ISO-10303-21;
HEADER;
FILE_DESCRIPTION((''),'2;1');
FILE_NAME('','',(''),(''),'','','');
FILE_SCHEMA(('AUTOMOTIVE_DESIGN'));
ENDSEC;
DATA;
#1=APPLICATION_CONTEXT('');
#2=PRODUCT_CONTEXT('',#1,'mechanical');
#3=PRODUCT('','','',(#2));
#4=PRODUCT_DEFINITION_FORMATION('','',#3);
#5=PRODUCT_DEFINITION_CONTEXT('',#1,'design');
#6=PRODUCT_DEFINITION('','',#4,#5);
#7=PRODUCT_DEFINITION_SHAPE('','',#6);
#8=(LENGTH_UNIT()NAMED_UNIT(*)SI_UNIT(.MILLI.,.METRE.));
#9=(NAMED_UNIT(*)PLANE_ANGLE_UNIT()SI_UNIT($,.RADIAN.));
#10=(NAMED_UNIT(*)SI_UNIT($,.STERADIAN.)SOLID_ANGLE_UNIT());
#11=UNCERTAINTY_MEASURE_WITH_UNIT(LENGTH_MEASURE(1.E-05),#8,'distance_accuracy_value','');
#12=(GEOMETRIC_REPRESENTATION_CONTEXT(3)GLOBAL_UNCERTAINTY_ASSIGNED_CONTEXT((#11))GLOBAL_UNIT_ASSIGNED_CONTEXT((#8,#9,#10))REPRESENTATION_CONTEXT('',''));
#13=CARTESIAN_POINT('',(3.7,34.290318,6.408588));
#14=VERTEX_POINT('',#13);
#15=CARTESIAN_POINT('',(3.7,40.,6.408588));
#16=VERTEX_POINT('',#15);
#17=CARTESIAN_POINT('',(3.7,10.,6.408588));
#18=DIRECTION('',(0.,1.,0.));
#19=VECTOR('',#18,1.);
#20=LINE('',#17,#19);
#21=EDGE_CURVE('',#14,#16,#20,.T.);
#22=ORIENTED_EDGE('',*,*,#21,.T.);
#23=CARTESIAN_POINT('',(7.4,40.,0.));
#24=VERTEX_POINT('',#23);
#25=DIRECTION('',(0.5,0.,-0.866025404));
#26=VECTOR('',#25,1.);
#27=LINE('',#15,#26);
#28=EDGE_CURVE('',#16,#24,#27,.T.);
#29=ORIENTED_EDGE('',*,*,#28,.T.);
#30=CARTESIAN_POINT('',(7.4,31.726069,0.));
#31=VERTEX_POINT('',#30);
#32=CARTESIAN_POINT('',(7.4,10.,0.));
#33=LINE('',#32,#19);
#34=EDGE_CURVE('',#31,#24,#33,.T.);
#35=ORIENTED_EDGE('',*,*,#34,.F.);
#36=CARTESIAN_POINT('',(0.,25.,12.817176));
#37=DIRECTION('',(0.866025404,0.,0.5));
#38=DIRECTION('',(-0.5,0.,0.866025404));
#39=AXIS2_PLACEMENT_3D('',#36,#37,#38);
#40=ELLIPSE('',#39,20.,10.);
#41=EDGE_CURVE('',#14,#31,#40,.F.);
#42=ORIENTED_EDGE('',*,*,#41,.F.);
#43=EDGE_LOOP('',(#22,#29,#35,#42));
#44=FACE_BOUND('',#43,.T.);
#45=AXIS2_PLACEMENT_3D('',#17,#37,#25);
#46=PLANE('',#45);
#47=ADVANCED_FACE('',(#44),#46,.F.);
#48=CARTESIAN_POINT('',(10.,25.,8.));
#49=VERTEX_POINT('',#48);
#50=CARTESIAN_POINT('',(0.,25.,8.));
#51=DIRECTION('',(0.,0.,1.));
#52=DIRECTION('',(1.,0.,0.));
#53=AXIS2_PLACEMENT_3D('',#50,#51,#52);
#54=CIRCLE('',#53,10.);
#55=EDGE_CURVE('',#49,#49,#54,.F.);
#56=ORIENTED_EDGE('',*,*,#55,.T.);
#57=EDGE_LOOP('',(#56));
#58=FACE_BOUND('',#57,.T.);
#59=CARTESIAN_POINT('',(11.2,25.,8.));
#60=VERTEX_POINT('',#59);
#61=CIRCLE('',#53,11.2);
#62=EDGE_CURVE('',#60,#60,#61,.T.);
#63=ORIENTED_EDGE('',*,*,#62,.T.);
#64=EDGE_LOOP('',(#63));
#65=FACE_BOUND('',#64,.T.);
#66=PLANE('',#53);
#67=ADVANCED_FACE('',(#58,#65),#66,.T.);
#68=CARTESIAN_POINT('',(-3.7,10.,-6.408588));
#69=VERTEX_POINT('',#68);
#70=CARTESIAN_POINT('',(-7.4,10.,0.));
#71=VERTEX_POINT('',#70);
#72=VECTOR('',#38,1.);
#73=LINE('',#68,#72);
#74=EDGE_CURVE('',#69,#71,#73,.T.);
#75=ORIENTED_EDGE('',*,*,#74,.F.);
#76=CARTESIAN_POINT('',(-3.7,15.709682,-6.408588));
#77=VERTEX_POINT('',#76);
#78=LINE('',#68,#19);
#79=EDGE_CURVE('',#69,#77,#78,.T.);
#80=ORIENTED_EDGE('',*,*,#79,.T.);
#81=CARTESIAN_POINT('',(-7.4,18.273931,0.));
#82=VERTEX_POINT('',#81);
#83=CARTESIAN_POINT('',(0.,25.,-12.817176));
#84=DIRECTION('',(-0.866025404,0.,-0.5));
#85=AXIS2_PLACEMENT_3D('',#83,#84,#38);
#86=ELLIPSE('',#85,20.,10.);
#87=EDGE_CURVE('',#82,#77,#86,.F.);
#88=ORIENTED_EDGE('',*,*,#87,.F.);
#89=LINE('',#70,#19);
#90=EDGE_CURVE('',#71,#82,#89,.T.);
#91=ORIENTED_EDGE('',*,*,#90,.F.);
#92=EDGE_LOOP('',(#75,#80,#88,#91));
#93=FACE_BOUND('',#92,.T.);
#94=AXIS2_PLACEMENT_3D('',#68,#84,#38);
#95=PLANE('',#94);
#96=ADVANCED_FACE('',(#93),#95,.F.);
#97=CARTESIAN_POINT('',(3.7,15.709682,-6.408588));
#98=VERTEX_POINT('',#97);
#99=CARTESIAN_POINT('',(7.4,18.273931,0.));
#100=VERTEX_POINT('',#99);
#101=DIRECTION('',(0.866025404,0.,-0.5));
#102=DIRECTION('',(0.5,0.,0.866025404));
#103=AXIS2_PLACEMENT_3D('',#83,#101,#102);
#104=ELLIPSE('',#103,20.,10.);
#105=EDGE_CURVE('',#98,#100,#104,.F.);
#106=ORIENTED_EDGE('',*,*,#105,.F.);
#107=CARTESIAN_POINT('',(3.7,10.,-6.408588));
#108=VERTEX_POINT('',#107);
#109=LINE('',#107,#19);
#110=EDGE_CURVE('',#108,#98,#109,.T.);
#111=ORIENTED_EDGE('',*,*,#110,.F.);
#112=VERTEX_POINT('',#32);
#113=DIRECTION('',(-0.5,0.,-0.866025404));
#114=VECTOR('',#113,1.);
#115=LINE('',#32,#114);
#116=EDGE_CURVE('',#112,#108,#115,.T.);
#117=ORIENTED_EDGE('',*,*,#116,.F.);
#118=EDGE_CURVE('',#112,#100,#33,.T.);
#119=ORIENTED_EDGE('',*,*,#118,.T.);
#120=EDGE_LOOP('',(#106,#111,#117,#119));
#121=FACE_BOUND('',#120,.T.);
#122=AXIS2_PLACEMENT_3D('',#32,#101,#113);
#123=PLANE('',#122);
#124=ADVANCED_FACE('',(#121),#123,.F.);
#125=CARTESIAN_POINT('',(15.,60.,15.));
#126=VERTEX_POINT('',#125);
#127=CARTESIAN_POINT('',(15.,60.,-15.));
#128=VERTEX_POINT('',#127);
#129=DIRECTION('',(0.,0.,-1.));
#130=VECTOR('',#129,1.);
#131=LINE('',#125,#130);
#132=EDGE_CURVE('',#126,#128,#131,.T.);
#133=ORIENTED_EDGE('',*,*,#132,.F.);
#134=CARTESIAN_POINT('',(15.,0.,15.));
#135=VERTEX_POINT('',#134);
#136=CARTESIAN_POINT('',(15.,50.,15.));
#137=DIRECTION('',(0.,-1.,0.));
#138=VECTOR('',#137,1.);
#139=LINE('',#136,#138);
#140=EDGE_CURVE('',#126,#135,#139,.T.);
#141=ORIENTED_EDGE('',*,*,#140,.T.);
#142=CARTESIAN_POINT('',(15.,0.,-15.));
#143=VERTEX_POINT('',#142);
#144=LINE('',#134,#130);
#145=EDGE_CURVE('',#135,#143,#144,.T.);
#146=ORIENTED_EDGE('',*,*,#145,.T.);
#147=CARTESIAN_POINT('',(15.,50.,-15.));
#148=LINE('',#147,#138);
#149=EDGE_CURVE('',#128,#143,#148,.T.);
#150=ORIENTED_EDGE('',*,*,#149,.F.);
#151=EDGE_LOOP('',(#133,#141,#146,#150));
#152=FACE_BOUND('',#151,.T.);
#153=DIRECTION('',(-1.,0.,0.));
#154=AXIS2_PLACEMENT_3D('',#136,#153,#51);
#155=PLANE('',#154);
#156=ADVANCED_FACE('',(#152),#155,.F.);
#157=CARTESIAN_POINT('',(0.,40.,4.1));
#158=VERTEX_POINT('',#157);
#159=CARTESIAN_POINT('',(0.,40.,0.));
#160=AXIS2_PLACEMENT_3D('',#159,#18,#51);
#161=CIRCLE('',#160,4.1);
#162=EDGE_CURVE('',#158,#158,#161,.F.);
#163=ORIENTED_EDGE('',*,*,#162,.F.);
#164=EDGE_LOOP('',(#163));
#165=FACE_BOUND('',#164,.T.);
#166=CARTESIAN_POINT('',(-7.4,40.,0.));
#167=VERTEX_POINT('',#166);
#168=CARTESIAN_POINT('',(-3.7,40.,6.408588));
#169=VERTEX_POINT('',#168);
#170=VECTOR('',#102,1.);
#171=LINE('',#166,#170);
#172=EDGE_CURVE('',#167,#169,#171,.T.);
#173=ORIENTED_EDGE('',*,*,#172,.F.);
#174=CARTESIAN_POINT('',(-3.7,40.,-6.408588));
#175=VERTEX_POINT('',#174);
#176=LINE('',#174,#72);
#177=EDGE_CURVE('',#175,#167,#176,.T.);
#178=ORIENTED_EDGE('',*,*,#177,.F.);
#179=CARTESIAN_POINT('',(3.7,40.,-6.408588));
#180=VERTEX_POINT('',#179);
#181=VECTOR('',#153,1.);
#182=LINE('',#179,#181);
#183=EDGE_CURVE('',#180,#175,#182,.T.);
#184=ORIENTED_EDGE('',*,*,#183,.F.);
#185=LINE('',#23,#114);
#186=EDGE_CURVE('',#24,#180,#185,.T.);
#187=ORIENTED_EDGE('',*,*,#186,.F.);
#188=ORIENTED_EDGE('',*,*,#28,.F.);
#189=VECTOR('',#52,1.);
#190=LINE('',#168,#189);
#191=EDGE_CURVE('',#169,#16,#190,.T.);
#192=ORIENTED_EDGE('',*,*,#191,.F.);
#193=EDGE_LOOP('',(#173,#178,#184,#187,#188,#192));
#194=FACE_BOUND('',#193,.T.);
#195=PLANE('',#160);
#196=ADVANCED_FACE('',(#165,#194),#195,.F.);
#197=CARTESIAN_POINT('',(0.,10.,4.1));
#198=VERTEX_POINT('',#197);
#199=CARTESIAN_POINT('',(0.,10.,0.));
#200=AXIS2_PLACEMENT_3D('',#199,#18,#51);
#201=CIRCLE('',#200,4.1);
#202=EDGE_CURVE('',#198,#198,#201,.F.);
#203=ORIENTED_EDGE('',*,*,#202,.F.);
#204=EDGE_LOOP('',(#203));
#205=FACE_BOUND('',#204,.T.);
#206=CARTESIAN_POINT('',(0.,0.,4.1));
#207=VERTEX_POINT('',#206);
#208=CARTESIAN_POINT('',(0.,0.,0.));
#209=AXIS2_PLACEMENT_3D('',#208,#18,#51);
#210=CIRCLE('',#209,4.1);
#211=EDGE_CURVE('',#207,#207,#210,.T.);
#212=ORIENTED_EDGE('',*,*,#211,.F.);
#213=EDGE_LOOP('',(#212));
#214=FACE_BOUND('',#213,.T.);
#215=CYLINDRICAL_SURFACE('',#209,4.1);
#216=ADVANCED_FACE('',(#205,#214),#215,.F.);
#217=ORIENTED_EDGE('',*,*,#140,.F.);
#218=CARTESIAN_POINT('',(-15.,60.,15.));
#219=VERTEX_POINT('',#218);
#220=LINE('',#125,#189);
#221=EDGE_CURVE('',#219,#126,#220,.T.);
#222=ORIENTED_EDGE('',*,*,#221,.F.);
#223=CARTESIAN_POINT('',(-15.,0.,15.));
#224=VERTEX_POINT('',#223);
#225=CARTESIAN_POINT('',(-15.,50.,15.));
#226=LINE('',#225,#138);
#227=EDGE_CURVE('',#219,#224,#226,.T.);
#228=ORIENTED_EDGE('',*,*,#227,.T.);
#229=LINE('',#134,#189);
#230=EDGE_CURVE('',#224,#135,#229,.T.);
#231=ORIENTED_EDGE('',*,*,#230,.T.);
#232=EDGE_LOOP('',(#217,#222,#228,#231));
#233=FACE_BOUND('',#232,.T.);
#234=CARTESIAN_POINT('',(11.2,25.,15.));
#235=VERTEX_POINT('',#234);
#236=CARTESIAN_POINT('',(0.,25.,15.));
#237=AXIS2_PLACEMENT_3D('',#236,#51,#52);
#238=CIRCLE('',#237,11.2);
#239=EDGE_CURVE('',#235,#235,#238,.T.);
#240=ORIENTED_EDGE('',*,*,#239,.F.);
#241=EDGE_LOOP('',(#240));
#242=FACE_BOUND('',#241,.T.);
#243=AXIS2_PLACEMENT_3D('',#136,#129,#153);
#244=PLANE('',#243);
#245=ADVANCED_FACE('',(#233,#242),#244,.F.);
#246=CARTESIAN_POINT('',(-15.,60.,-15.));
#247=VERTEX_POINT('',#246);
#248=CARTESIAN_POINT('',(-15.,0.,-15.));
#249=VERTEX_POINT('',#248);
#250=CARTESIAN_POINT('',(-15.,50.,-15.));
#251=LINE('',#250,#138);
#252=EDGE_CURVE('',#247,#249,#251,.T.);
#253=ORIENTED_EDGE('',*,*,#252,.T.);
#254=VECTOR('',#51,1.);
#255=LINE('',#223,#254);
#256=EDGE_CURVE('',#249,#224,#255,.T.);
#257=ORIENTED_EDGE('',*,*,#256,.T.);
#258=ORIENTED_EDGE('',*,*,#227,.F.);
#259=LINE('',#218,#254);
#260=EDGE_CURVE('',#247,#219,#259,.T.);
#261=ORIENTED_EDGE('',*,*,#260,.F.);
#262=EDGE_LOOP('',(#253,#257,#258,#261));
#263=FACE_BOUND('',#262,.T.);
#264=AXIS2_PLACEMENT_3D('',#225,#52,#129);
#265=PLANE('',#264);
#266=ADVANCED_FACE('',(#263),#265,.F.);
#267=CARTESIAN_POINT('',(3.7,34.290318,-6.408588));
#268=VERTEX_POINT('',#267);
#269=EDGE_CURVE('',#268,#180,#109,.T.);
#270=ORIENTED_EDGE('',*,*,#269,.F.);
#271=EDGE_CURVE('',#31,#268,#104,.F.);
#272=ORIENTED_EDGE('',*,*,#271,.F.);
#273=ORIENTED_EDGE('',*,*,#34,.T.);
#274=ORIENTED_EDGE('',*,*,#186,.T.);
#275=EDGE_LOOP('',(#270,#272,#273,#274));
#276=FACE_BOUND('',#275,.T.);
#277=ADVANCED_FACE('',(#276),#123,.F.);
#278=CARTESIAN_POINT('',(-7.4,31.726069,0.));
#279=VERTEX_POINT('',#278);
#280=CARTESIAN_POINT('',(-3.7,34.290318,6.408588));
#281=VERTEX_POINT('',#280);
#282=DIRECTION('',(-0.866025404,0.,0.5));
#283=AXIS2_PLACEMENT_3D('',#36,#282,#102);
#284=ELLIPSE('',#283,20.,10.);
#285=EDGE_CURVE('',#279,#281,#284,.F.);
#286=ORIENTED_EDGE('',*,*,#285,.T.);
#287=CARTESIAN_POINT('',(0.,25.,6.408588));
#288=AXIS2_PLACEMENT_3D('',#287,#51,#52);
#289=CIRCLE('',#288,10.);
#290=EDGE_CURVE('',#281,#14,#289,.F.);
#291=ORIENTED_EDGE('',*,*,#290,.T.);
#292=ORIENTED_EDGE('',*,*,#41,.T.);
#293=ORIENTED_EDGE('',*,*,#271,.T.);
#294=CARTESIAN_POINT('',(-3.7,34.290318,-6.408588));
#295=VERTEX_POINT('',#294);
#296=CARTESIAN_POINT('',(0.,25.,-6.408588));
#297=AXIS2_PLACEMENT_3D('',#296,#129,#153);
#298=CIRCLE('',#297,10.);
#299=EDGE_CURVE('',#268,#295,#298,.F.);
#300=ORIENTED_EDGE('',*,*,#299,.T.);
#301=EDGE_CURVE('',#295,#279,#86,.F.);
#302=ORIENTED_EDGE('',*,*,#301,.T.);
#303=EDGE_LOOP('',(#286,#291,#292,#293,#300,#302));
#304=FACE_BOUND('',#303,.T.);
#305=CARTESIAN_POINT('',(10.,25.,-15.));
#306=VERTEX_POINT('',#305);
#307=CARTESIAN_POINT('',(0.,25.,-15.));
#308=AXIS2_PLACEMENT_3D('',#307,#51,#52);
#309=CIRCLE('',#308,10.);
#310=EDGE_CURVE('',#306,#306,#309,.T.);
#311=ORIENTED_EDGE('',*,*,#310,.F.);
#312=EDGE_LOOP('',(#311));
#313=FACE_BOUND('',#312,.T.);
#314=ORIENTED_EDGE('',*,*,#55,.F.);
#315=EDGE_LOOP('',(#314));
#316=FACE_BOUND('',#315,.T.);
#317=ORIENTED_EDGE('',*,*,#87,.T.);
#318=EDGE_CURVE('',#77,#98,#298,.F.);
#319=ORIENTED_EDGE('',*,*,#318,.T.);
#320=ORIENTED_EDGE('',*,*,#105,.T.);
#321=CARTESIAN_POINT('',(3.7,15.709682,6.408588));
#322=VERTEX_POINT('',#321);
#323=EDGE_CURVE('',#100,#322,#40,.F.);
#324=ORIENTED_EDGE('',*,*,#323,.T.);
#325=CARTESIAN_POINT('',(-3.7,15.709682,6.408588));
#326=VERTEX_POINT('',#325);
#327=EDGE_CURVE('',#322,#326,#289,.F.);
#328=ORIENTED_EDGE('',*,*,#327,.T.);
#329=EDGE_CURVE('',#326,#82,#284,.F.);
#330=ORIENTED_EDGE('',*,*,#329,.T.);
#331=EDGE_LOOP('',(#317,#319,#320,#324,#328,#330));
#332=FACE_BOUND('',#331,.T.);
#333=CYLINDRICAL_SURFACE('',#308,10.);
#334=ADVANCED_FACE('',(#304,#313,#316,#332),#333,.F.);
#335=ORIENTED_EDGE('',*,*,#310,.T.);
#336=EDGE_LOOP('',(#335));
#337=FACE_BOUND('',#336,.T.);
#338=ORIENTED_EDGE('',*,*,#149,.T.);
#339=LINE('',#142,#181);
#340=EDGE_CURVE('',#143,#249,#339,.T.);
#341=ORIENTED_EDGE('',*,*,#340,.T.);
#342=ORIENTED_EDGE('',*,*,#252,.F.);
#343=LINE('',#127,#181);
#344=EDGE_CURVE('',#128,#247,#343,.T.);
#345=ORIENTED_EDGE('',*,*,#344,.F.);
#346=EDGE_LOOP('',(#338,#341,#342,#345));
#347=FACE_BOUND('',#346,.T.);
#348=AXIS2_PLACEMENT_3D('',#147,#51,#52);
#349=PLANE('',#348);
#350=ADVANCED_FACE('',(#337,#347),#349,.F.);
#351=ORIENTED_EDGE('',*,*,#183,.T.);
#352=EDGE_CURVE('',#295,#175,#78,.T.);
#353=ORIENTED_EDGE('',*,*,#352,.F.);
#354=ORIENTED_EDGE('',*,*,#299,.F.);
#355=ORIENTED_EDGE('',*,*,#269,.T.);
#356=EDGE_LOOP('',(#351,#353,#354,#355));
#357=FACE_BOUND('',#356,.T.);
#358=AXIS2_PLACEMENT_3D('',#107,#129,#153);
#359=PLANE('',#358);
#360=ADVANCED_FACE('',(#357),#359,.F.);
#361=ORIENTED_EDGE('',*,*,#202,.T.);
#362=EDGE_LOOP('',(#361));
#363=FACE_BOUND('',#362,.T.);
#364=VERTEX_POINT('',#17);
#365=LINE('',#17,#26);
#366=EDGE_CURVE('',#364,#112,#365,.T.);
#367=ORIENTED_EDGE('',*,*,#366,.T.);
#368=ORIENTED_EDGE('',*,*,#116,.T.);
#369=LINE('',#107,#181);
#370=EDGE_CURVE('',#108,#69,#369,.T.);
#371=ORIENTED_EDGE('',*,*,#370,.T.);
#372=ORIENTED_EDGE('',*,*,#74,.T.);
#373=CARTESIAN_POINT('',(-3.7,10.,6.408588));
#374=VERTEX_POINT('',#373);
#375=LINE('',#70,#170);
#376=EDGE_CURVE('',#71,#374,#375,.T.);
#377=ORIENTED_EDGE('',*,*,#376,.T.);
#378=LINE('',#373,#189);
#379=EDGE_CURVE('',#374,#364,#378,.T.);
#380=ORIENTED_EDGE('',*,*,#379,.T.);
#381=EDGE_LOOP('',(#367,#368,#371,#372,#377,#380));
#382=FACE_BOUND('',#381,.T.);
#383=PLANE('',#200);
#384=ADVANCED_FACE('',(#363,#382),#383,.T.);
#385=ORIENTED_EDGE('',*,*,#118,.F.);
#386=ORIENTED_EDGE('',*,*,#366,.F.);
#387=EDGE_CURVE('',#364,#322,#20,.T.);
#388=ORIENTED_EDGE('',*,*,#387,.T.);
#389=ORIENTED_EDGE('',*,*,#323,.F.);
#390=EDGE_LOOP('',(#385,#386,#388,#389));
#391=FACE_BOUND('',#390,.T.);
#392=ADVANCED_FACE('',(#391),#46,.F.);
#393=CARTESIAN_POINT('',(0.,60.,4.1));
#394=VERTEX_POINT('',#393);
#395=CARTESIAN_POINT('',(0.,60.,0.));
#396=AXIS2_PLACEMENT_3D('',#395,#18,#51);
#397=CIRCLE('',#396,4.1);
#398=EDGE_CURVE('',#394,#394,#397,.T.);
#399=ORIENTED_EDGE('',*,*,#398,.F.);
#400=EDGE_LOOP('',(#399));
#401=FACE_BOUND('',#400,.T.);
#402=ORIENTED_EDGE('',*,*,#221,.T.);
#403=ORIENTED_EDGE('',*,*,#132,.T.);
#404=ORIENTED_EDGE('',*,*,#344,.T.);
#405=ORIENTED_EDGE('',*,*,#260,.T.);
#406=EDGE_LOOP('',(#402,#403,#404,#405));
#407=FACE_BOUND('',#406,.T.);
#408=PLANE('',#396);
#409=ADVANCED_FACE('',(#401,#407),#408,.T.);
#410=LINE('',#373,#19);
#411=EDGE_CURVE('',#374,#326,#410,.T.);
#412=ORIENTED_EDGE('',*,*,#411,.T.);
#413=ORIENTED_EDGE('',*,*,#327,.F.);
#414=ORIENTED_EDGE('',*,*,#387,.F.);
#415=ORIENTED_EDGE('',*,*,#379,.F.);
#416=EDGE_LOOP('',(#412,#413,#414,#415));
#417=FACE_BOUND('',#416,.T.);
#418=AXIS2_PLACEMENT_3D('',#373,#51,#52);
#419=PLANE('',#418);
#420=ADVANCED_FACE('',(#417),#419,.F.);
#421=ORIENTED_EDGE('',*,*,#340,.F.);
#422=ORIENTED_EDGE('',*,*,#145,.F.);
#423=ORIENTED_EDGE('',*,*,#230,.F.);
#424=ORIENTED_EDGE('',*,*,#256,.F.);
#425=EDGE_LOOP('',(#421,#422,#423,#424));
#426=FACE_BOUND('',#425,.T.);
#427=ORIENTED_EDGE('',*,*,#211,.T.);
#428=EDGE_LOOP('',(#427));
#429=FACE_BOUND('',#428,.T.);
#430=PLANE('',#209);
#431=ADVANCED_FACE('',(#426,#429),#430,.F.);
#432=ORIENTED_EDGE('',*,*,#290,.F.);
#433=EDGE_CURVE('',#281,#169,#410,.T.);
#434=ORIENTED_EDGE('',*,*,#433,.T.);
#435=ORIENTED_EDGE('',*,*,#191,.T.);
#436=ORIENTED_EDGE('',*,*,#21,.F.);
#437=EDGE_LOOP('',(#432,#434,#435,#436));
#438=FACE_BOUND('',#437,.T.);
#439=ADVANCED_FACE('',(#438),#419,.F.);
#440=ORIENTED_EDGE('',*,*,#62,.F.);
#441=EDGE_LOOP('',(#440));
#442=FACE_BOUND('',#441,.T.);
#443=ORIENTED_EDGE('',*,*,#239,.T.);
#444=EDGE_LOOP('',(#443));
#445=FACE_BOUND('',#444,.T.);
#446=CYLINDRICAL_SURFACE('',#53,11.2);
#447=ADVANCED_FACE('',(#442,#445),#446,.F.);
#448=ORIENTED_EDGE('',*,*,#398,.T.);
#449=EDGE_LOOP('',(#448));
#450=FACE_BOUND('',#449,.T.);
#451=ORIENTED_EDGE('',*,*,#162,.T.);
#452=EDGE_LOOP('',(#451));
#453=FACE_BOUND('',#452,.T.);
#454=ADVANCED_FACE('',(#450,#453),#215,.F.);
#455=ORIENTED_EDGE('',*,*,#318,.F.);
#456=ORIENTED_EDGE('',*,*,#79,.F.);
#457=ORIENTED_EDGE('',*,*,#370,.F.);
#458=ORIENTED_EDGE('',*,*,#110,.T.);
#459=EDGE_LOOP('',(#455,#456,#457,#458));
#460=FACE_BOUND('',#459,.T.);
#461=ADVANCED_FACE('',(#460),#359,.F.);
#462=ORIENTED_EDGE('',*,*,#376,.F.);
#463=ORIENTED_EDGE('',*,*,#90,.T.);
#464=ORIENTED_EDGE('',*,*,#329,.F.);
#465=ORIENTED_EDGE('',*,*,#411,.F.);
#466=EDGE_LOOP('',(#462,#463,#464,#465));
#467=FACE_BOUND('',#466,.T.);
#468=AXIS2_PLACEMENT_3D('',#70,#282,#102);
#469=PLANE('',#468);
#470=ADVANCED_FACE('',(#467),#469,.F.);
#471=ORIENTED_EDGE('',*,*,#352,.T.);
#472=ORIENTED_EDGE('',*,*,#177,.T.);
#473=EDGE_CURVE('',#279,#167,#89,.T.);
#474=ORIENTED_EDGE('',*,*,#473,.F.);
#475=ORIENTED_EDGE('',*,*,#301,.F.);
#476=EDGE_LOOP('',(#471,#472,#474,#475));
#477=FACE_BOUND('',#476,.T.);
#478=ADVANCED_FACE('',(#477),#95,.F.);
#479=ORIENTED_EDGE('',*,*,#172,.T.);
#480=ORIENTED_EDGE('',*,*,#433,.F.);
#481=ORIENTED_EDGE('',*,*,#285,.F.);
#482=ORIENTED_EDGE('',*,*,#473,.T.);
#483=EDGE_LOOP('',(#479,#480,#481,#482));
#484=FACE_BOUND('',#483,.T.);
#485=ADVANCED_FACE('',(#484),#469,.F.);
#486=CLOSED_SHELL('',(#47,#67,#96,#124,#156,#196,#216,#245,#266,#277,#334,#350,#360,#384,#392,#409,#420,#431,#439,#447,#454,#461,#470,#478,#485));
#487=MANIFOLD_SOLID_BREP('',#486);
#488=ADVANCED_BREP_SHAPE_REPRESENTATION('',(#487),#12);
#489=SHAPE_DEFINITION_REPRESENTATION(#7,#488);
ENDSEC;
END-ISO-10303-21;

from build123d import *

# Parameters (mm, degrees)
SKETCH1_W           = 30
SKETCH1_H           = 30
BOSS_EXTRUDE1_DEPTH = 50
SKETCH2_R           = 10
CUT_EXTRUDE1_DEPTH  = 31
SKETCH3_R           = 11.2
CUT_EXTRUDE2_DEPTH  = 7
SKETCH4_W           = 30
SKETCH4_H           = 30
BOSS_EXTRUDE2_DEPTH = 10
SKETCH5_R           = 4.1
CUT_EXTRUDE3_DEPTH  = 61
CUT_EXTRUDE4_START  = -20
CUT_EXTRUDE4_DEPTH  = 30


with BuildPart() as part:
    # Sketch1 → Boss-Extrude1 (new body)
    with BuildSketch(Plane(origin=(0, 0, 0), x_dir=(1, 0, 0), z_dir=(0, 1, 0))):
        Rectangle(SKETCH1_W, SKETCH1_H)
    extrude(amount=BOSS_EXTRUDE1_DEPTH)

    # Sketch2 → Cut-Extrude1 (cut, through all)
    with BuildSketch(Plane.XY.offset(15)):
        with Locations((0, 25)):
            Circle(SKETCH2_R)
    extrude(amount=-CUT_EXTRUDE1_DEPTH, mode=Mode.SUBTRACT)

    # Sketch3 → Cut-Extrude2 (cut)
    with BuildSketch(Plane.XY.offset(15)):
        with Locations((0, 25)):
            Circle(SKETCH3_R)
    extrude(amount=-CUT_EXTRUDE2_DEPTH, mode=Mode.SUBTRACT)

    # Sketch4 → Boss-Extrude2 (add)
    with BuildSketch(Plane(origin=(0, 50, 0), x_dir=(1, 0, 0), z_dir=(0, 1, 0))):
        Rectangle(SKETCH4_W, SKETCH4_H)
    extrude(amount=BOSS_EXTRUDE2_DEPTH)

    # Sketch5 → Cut-Extrude3 (cut, through all)
    with BuildSketch(Plane(origin=(0, 60, 0), x_dir=(1, 0, 0), z_dir=(0, 1, 0))):
        with Locations(Location((0, 0, 0), (0, 0, 270))):  # turned: the seam where the file's is
            Circle(SKETCH5_R)
    extrude(amount=-CUT_EXTRUDE3_DEPTH, mode=Mode.SUBTRACT)

    # Sketch6 → Cut-Extrude4 (cut)
    with BuildSketch(Plane(origin=(0, 60, 0), x_dir=(1, 0, 0), z_dir=(0, 1, 0)).offset(CUT_EXTRUDE4_START)):
        Polygon((-3.7, 6.408587988), (-7.4, 0), (-3.7, -6.408587988), (3.7, -6.408587988), (7.4, 0), (3.7, 6.408587988), align=None)
    extrude(amount=-CUT_EXTRUDE4_DEPTH, mode=Mode.SUBTRACT)


solid = part.part
